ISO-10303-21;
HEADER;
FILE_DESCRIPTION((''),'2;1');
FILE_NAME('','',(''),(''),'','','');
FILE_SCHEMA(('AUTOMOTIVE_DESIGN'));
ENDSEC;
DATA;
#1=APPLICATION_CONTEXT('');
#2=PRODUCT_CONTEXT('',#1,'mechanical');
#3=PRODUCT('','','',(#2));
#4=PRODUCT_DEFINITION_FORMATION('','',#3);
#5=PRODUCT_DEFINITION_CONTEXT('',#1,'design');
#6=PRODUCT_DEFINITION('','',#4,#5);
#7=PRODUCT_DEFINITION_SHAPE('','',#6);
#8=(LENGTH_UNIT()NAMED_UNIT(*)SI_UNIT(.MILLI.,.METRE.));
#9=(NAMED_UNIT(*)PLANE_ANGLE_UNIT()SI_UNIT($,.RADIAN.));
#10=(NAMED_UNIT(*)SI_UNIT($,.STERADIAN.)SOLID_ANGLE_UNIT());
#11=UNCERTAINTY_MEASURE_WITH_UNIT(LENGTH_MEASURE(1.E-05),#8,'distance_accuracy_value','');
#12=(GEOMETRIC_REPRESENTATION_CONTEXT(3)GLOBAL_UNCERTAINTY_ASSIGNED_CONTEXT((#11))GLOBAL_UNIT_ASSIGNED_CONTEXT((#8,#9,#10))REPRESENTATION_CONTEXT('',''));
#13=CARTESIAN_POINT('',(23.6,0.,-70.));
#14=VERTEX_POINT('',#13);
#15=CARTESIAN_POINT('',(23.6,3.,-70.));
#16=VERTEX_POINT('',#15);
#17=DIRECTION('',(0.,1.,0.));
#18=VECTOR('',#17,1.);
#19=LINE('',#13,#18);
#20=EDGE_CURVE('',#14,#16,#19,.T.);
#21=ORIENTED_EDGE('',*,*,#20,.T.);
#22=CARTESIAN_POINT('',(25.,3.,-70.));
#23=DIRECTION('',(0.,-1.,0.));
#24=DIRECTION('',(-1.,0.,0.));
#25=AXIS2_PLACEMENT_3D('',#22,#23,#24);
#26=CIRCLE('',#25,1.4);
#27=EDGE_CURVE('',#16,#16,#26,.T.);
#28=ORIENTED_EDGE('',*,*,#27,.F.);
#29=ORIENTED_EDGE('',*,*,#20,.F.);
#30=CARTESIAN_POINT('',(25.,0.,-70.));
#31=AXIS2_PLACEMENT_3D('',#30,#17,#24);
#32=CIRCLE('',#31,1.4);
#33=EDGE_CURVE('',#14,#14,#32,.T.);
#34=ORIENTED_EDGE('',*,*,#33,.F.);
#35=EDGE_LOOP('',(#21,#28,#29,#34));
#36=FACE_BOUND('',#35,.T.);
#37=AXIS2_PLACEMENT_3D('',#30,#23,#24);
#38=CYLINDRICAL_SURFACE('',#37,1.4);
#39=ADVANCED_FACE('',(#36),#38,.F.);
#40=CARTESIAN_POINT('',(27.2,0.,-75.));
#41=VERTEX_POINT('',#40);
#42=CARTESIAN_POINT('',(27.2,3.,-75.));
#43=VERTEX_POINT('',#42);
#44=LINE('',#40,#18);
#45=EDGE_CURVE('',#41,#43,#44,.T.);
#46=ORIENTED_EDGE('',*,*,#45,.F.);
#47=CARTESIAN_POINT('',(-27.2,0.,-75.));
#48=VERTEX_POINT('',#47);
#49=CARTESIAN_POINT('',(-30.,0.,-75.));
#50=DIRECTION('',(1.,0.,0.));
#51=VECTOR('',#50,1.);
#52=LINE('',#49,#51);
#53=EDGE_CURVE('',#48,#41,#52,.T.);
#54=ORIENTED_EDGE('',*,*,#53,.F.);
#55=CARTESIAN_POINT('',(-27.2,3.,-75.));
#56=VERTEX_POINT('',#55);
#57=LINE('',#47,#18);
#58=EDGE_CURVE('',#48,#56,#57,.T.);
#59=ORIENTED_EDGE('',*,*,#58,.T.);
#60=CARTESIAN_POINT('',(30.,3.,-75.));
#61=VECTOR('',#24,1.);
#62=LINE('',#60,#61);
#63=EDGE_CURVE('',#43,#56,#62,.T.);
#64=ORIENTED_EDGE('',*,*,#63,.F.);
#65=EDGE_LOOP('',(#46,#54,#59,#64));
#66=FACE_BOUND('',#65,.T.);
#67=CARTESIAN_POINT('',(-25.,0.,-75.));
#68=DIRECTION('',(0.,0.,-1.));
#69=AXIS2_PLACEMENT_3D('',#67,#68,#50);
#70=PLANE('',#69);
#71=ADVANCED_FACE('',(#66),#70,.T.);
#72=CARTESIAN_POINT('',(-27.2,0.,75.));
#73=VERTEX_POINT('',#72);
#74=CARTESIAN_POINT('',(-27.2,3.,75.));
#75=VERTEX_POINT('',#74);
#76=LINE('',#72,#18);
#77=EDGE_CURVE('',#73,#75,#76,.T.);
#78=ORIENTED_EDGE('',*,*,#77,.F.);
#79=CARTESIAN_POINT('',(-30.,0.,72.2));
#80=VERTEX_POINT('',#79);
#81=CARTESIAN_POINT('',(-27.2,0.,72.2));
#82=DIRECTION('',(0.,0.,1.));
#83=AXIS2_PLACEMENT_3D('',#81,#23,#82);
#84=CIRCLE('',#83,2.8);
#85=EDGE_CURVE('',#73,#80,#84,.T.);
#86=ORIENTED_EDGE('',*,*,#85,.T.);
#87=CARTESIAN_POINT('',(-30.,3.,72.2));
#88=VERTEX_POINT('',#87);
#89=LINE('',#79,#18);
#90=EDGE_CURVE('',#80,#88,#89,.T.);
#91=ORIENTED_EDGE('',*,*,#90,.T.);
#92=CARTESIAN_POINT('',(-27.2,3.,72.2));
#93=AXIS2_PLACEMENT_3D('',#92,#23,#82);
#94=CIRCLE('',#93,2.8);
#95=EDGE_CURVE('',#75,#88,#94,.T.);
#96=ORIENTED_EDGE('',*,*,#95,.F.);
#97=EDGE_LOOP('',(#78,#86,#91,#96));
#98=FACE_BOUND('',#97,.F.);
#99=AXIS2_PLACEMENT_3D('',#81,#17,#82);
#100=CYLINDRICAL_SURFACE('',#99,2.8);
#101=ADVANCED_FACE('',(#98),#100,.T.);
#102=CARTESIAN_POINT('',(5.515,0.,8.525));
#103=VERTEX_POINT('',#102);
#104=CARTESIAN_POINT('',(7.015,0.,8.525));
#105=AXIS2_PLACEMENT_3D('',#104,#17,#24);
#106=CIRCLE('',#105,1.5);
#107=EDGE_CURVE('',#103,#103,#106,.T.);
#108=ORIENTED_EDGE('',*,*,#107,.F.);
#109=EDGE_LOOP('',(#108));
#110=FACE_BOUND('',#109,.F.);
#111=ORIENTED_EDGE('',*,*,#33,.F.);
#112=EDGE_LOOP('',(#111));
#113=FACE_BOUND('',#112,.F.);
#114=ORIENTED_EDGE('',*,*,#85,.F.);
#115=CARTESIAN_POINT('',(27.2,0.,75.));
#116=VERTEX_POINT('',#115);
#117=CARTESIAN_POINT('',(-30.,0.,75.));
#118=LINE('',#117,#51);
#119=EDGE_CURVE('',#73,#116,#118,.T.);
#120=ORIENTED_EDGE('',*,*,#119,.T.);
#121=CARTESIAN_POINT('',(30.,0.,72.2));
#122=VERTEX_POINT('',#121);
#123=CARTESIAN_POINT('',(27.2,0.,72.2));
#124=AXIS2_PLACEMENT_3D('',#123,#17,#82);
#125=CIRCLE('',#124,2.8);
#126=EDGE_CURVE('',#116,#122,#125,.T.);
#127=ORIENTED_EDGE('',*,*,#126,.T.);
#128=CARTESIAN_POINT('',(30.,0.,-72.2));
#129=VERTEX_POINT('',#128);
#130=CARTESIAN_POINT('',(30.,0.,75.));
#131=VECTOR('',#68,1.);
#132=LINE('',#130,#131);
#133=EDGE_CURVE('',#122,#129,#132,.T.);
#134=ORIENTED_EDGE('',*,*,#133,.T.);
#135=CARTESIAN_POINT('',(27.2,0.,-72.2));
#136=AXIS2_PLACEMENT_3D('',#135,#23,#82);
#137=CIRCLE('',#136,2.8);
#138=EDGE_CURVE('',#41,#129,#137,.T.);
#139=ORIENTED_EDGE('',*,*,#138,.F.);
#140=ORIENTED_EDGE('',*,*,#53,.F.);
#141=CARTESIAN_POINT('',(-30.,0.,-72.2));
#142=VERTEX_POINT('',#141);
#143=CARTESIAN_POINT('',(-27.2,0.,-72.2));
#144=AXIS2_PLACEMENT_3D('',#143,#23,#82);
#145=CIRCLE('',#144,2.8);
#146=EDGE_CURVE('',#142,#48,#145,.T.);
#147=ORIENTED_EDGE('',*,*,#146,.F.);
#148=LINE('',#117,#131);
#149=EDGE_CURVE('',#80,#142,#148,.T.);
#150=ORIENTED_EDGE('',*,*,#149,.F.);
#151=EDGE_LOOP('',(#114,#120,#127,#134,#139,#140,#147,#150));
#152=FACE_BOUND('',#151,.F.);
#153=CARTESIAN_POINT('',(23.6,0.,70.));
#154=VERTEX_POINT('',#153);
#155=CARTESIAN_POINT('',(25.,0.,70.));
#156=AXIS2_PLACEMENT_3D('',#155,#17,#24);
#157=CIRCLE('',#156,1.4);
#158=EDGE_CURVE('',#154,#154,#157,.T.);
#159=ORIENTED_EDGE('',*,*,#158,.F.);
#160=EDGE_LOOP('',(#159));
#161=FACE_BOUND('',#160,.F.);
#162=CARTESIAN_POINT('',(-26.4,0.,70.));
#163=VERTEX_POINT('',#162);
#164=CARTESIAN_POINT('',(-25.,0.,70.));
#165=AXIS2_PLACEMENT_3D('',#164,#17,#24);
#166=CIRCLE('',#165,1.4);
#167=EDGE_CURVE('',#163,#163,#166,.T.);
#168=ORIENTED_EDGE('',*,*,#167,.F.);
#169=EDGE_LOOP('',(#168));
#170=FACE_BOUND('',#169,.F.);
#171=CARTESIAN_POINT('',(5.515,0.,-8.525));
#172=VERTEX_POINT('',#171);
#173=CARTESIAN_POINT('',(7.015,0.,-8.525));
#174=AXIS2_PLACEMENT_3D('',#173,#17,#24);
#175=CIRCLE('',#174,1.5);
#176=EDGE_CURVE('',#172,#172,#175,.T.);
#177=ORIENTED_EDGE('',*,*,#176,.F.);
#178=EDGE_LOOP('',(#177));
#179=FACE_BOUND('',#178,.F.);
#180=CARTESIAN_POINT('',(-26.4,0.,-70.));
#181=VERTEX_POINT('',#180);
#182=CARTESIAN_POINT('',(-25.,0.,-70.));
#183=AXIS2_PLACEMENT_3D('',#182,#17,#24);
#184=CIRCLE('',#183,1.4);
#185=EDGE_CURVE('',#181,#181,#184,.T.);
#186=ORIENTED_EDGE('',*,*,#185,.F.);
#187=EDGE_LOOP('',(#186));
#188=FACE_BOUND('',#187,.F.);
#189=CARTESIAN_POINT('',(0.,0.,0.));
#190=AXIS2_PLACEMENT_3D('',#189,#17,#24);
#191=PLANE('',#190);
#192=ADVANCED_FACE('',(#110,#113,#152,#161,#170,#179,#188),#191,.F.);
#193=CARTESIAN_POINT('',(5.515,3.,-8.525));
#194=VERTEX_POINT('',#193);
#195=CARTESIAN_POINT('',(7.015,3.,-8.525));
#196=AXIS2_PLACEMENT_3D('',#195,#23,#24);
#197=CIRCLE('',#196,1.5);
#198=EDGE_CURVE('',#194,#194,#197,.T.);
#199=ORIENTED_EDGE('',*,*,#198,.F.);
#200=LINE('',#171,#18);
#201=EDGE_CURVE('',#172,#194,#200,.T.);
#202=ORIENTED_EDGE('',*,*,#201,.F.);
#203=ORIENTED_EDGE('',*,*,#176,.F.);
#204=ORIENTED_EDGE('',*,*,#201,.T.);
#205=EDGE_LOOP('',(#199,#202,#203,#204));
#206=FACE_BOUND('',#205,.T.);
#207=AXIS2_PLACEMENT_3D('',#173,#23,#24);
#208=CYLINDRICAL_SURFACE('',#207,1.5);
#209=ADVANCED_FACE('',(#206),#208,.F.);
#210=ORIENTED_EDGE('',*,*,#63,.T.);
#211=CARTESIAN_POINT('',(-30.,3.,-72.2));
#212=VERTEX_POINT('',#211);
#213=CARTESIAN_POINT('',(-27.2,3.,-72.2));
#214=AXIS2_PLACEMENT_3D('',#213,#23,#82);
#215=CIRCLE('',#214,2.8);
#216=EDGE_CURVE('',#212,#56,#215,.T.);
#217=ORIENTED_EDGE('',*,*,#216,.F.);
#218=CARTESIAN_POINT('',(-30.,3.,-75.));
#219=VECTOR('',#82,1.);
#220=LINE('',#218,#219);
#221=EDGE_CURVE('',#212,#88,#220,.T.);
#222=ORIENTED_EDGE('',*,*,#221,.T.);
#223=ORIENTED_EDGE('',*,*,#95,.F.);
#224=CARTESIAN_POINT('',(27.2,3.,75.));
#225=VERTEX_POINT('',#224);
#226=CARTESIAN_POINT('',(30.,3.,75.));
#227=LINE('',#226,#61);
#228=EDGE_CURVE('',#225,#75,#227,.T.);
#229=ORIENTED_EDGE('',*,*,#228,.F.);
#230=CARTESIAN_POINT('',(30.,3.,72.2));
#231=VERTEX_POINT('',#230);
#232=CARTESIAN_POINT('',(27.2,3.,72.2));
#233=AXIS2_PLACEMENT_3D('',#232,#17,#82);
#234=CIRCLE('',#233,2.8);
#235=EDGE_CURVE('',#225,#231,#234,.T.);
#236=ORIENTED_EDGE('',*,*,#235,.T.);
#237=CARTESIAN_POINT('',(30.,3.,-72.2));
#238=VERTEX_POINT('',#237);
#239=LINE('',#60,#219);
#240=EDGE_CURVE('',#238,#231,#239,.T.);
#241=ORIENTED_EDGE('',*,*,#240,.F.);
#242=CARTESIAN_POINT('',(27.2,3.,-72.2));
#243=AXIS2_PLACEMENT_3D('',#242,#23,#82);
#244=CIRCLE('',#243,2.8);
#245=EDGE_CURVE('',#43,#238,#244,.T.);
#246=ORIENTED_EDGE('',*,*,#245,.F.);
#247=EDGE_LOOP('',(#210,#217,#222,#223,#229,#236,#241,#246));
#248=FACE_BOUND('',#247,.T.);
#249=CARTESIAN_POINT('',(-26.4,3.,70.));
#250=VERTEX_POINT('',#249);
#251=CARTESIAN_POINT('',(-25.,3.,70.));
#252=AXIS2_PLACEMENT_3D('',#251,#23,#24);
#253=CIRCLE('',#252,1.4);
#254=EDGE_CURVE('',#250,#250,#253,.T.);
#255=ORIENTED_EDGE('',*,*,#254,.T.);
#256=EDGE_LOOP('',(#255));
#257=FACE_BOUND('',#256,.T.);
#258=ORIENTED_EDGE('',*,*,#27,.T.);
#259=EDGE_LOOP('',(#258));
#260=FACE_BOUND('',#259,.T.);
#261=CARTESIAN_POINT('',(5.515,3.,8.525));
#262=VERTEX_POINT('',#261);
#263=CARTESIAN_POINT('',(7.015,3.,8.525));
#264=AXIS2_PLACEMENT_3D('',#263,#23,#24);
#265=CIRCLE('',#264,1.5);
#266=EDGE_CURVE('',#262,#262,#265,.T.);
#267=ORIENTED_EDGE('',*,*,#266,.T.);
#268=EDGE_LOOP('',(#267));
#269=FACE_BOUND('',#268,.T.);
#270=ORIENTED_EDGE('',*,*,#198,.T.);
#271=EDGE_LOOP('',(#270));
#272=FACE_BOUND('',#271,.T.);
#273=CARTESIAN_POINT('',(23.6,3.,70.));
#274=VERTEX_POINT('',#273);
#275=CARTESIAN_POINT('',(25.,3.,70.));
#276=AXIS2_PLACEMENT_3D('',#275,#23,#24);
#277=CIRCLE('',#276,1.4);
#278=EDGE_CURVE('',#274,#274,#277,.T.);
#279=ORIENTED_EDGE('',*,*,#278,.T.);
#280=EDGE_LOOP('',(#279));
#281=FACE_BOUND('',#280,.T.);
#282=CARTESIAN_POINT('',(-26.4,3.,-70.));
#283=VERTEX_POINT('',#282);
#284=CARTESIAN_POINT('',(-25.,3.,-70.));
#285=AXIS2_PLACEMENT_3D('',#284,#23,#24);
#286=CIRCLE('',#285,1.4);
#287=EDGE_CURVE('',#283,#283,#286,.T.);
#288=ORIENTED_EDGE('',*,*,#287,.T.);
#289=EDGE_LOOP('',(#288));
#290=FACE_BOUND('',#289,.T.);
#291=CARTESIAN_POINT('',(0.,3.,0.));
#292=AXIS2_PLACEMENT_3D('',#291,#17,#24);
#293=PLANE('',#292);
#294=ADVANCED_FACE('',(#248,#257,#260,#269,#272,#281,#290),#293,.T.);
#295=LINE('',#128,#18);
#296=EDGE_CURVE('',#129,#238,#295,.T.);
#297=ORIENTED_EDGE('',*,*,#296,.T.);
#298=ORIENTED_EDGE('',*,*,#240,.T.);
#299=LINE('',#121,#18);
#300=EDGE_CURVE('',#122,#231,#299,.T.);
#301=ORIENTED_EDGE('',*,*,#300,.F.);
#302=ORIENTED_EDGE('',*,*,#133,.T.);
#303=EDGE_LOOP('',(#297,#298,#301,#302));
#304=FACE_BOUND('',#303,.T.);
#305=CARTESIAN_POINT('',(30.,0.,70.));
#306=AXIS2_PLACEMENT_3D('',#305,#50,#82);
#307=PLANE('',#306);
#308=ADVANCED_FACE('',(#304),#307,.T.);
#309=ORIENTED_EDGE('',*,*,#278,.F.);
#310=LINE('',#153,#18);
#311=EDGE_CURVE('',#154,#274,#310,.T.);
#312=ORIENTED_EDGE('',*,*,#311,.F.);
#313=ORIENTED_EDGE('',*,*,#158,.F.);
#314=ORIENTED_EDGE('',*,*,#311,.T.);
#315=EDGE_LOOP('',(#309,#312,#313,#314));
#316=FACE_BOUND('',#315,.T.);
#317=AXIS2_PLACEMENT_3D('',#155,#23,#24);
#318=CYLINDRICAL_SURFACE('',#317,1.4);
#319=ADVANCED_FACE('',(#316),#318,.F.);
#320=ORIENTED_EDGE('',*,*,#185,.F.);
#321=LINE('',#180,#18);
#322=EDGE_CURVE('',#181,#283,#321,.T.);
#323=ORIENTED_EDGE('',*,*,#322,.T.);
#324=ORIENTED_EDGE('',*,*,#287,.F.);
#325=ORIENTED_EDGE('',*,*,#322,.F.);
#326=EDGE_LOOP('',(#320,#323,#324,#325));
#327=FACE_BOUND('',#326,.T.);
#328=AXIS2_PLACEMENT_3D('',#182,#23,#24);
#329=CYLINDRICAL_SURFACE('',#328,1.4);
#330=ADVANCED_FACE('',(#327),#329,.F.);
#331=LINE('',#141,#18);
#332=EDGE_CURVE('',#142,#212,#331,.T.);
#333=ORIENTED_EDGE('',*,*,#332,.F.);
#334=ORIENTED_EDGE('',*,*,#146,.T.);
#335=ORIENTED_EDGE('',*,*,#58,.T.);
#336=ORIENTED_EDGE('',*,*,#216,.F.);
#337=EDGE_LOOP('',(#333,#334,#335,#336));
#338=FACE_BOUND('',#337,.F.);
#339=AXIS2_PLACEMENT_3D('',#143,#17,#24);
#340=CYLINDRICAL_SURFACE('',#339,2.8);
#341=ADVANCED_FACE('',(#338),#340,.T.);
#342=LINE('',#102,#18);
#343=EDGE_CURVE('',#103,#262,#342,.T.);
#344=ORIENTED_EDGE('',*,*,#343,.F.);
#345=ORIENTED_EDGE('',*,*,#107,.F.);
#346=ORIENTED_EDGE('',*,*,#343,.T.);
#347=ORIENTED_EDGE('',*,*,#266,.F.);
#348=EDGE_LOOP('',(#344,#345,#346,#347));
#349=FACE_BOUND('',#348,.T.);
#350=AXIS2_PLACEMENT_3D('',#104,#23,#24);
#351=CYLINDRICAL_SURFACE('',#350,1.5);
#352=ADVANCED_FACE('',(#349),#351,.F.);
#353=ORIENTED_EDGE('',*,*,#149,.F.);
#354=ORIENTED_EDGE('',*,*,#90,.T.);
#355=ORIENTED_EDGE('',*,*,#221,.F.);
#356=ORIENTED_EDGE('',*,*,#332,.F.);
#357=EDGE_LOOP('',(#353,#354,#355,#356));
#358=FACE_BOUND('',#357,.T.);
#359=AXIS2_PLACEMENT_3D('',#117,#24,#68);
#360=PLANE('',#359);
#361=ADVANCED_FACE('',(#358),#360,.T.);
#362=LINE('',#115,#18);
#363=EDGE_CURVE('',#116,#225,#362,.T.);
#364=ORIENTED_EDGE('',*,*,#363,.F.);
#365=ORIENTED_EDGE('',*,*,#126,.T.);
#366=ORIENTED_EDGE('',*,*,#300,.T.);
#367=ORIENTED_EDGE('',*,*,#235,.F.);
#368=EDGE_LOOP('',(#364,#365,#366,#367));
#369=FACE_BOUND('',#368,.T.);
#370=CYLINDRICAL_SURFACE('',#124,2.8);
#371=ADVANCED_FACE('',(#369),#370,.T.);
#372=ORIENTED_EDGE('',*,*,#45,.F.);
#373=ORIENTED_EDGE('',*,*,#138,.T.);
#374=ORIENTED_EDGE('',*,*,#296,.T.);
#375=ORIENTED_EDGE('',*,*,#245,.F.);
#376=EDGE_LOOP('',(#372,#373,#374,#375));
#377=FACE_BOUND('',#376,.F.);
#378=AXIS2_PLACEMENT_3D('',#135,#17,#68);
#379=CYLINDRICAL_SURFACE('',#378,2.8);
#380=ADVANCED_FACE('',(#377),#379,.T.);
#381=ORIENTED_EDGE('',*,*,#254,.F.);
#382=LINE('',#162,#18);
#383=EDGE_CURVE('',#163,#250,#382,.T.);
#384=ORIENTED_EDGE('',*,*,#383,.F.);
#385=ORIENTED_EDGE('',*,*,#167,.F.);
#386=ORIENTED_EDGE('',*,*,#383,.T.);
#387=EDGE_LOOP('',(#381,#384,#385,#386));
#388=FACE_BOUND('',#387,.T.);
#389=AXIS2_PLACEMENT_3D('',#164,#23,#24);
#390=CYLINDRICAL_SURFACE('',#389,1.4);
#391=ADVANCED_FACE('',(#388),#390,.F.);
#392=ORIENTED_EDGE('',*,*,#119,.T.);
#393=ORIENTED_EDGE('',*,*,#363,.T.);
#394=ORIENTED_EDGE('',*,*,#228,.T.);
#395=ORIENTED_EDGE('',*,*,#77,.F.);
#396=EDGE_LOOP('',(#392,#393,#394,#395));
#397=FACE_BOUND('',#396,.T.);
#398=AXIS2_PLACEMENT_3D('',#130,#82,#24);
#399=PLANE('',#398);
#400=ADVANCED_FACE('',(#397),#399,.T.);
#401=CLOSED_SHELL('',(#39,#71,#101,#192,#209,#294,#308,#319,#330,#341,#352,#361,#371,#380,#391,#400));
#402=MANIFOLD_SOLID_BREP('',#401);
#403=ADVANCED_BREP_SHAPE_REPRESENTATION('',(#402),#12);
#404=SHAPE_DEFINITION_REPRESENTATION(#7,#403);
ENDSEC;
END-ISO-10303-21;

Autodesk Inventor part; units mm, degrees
ref_plane "YZ Plane" through (0, 0, 0) normal (1, 0, 0) x (0, 1, 0)
ref_plane "XZ Plane" through (0, 0, 0) normal (0, 1, 0) x (-1, 0, 0)
ref_plane "XY Plane" through (0, 0, 0) normal (0, 0, 1) x (1, 0, 0)
sketch "Sketch1" plane through (0, 0, 0) normal (0, 1, 0) x (-1, 0, 0)
  line L0 (-30, 75) -> (30, 75)
  line L1 (30, 75) -> (30, -75)
  line L2 (30, -75) -> (-30, -75)
  line L3 (-30, -75) -> (-30, 75)
  line L4 (30, 75) -> (25, 75)
  line L5 (25, 75) -> (25, 70)
  line L6 (25, 70) -> (30, 70)
  line L7 (30, 70) -> (30, 75)
  line L8 (-30, 75) -> (-25, 75)
  line L9 (-25, 75) -> (-25, 70)
  line L10 (-25, 70) -> (-30, 70)
  line L11 (-30, 70) -> (-30, 75)
  line L12 (30, -75) -> (25, -75)
  line L13 (25, -75) -> (25, -70)
  line L14 (25, -70) -> (30, -70)
  line L15 (30, -70) -> (30, -75)
  line L16 (-30, -75) -> (-25, -75)
  line L17 (-25, -75) -> (-25, -70)
  line L18 (-25, -70) -> (-30, -70)
  line L19 (-30, -70) -> (-30, -75)
  circle A0 centre (25, 70) radius 1.4
  circle A1 centre (-25, 70) radius 1.4
  circle A2 centre (25, -70) radius 1.4
  circle A3 centre (-25, -70) radius 1.4
  line L20 (-9.515, 11.025) -> (9.515, 11.025)
  line L21 (9.515, 11.025) -> (9.515, -11.025)
  line L22 (9.515, -11.025) -> (-9.515, -11.025)
  line L23 (-9.515, -11.025) -> (-9.515, 11.025)
  line L24 (-9.515, 11.025) -> (9.515, -11.025) construction
  line L25 (9.515, 11.025) -> (-9.515, -11.025) construction
  line L26 (-9.515, -11.025) -> (-7.015, -11.025)
  line L27 (-7.015, -11.025) -> (-7.015, -8.525)
  line L28 (-7.015, -8.525) -> (-9.515, -8.525)
  line L29 (-9.515, -8.525) -> (-9.515, -11.025)
  line L30 (-9.515, 11.025) -> (-7.015, 11.025)
  line L31 (-7.015, 11.025) -> (-7.015, 8.525)
  line L32 (-7.015, 8.525) -> (-9.515, 8.525)
  line L33 (-9.515, 8.525) -> (-9.515, 11.025)
  circle A4 centre (-7.015, 8.525) radius 1.5
  circle A5 centre (-7.015, -8.525) radius 1.5
  line L34 (9.515, 0) -> (8.515, 0)
  line L35 (6.515, -11.025) -> (10.515, -11.025)
  line L36 (10.515, -11.025) -> (10.515, 11.025)
  line L37 (10.515, 11.025) -> (6.515, 11.025)
  line L38 (6.515, 11.025) -> (6.515, -11.025)
  line L39 (6.515, -11.025) -> (10.515, 11.025) construction
  line L40 (10.515, -11.025) -> (6.515, 11.025) construction
  line L41 (0, -75) -> (-20, -75)
  line L42 (0, -75) -> (20, -75)
  point P0 (0, 0)
  point P1 (0, 0)
  dimension "d0" = 60
  dimension "d1" = 150
  dimension "d2" = 5
  dimension "d3" = 5
  dimension "d4" = 5
  dimension "d5" = 5
  dimension "d6" = 5
  dimension "d8" = 5
  dimension "d10" = 2.8
  dimension "d11" = 2.8
  dimension "d12" = 19.03
  dimension "d13" = 22.05
  dimension "d14" = 2.5
  dimension "d15" = 2.5
  dimension "d16" = 2.5
  dimension "d17" = 2.5
  dimension "d18" = 3
  dimension "d19" = 3
  dimension "d20" = 1
  dimension "d21" = 4
extrude "Extrusion1" add sketch "Sketch1" along normal blind 3 contours L0 L9 A1 L10 L3 | L0 L5 A0 L6 L1 L14 A2 L13 L2 L17 A3 L18 L3 L10 A1 L9 | L0 L1 L6 A0 L5 | L18 A3 L17 L2 L3 | L1 L2 L13 A2 L14 | L20 L31 A4 L32 L23 | L20 L38 L22 L27 A5 L28 L23 L32 A4 L31 | L20 L21 L22 L38 | L28 A5 L27 L22 L23 | L37 L36 L35 L21
fillet "Fillet1" radius 2.8 1 edges at (30, 1.5, 75)
fillet "Fillet2" radius 2.8 1 edges at (-30, 1.5, 75)
fillet "Fillet3" radius 2.8 1 edges at (-30, 1.5, -75)
fillet "Fillet4" radius 2.8 1 edges at (30, 1.5, -75)
properties part number "MatTren"
